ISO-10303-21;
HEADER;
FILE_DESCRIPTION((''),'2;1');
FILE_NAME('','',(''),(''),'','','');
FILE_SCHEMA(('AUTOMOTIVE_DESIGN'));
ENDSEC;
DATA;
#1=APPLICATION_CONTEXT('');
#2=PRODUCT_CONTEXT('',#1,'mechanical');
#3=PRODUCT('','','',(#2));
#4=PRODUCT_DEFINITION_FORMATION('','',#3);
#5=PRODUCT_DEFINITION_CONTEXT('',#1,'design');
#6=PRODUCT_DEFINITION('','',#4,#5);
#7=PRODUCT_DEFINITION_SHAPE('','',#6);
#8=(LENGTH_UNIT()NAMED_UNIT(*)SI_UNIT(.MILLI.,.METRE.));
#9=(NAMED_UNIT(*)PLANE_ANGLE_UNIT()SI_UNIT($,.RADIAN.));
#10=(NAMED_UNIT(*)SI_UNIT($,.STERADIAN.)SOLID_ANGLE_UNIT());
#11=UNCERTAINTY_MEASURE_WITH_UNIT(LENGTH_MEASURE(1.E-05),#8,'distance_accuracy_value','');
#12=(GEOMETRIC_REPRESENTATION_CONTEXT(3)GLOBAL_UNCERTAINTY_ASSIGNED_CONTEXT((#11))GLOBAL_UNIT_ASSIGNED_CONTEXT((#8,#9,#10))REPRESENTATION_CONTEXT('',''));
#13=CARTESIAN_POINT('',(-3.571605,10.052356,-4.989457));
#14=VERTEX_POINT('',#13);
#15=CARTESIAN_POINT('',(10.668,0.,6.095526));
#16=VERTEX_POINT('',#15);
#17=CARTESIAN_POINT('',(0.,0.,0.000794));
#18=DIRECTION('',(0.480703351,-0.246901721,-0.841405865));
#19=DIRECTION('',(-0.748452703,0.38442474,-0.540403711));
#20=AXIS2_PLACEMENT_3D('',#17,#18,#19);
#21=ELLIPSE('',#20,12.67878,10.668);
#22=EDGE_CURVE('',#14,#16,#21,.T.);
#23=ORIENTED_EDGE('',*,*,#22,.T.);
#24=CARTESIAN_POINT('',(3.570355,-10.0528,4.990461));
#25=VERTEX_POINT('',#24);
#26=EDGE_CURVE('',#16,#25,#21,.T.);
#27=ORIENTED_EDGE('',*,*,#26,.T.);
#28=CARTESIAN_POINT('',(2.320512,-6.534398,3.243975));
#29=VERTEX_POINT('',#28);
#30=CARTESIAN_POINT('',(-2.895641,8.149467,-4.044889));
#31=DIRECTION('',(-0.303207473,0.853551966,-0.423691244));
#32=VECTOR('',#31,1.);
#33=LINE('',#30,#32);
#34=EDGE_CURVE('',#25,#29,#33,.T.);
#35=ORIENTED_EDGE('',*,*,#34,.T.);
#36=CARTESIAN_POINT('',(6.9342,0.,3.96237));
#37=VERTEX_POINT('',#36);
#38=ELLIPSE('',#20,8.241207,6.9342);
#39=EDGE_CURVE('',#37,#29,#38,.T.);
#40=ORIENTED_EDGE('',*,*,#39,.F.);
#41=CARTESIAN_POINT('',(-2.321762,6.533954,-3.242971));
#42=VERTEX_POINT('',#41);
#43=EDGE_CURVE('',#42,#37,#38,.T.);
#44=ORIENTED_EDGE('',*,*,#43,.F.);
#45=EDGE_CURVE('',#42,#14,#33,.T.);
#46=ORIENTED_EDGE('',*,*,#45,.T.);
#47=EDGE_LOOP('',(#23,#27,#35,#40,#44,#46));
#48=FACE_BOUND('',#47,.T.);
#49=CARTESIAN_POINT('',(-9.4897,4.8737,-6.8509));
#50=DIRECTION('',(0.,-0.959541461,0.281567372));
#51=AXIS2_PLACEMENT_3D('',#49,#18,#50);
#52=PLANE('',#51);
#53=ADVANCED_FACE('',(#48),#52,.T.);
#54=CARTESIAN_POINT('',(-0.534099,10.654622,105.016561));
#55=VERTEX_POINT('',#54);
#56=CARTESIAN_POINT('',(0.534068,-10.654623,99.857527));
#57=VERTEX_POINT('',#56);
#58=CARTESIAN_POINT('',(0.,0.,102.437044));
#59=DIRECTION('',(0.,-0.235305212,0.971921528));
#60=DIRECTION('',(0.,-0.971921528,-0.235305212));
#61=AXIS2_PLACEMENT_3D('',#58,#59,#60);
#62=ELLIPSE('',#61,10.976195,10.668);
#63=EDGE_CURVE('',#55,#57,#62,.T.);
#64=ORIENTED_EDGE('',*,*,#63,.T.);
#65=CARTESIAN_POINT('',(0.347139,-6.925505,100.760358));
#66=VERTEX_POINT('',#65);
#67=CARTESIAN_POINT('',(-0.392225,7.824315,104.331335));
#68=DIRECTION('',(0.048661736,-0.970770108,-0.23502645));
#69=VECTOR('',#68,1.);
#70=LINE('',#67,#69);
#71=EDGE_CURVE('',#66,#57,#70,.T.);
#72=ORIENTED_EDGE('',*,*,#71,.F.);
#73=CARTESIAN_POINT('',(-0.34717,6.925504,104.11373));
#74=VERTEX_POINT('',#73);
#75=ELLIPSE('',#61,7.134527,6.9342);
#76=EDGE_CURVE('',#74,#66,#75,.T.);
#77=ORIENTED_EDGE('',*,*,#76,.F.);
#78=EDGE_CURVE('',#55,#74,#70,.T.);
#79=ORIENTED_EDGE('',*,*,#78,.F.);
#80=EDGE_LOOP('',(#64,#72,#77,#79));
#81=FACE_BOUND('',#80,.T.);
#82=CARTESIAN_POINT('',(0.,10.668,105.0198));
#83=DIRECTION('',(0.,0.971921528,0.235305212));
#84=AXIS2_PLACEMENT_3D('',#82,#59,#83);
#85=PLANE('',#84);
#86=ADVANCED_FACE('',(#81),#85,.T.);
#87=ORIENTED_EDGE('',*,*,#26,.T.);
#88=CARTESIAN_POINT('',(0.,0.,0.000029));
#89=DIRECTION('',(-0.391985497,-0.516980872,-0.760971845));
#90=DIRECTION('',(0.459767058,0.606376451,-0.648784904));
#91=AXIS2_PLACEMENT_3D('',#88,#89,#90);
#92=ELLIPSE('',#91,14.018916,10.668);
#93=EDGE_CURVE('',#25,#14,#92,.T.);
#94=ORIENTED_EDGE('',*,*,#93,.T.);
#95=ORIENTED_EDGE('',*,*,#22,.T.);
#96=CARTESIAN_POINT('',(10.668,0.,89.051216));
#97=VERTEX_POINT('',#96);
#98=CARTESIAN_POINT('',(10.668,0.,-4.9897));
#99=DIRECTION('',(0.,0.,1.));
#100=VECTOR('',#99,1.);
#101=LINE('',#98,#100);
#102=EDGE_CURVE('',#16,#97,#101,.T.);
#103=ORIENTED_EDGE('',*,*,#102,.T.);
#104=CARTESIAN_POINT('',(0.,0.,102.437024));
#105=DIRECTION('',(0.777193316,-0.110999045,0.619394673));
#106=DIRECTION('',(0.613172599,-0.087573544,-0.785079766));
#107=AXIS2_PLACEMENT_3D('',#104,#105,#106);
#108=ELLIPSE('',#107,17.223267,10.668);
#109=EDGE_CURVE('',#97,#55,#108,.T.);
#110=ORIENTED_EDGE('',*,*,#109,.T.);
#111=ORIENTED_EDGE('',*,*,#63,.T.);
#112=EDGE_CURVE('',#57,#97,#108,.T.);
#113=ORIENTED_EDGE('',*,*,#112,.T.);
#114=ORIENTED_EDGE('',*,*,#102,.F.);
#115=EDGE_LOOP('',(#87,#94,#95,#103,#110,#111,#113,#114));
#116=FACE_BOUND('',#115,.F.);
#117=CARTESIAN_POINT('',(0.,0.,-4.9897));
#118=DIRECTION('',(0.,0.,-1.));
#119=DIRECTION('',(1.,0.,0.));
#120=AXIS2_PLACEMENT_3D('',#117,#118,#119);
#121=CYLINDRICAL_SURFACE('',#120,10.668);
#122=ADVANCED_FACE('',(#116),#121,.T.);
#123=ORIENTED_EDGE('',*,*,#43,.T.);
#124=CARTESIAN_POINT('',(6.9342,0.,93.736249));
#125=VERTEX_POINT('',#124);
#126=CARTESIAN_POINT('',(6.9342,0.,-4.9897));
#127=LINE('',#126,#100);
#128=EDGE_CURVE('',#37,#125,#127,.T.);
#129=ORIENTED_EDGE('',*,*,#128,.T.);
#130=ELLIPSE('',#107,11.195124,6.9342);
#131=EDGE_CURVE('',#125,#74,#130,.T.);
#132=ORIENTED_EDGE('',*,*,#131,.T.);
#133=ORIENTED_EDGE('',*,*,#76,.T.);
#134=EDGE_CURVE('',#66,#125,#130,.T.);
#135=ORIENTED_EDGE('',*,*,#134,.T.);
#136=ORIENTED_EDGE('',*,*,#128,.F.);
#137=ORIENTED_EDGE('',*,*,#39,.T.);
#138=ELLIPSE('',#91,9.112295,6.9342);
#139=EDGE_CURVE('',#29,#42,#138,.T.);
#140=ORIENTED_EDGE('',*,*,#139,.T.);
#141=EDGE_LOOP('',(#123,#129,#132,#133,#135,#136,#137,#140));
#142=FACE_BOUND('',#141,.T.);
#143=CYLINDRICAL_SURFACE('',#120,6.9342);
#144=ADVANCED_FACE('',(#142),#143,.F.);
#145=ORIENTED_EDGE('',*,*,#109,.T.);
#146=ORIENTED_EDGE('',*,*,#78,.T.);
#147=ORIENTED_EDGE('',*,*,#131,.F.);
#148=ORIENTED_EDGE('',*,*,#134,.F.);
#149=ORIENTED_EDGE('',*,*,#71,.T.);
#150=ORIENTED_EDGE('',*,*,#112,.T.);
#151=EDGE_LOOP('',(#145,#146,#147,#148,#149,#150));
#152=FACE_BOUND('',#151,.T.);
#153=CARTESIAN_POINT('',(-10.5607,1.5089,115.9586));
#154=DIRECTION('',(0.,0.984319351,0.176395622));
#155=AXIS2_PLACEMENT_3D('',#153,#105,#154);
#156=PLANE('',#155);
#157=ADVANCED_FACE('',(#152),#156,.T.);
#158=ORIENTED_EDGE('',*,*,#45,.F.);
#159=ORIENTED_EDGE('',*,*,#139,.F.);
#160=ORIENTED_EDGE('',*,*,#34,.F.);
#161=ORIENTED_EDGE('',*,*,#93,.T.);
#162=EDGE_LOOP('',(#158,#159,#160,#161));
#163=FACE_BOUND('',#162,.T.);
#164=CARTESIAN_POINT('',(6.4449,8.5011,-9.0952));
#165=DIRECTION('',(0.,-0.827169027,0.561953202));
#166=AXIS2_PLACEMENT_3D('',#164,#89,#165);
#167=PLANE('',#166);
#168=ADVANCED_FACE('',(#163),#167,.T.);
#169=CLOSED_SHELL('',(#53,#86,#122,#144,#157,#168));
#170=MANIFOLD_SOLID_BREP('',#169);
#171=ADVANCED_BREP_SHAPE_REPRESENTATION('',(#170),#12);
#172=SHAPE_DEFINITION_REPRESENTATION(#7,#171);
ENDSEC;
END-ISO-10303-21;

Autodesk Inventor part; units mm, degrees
ref_plane "Start Plane" through (0, 0, -4.9897) normal (0, 0, 1) x (1, 0, 0)
ref_plane "End Plane" through (0, 0, 105.0166) normal (0, 0, 1) x (1, 0, 0)
sketch "Sketch" plane through (0, 0, 0) normal (0, 0, 1) x (1, 0, 0)
  circle A0 centre (0, 0) radius 6.9342
  circle A1 centre (0, 0) radius 10.668
  dimension "d0" = 21.336
  dimension "d1" = 3.7338
extrude "Body" add sketch "Sketch" along normal up to surface (110.0063 mm away) from surface at -4.9897
sketch "Sketch3" plane through (0, 0, 0) normal (0, 0, 1) x (1, 0, 0)
  line L0 (0, 0) -> (10, 0)
ref_plane "Work Plane3" through (0, 0, 0) normal (0, -1, 0) x (1, 0, 0)
sketch "Sketch4" plane through (0, 0, 0) normal (0, -1, 0) x (1, 0, 0)
  line L0 (-2, -4.9897) -> (12, -4.9897)
  line L1 (-2, 105.0166) -> (12, 105.0166)
  dimension "d7" = 110.0063
ref_plane "Work Plane4" through (-9.4897, 4.8737, -6.8509) normal (0.4807, -0.2469, -0.8414) x (-0.4571, 0.7483, -0.4807)
split "Split1" plane through (-9.4897, 4.8737, -6.8509) removes the side toward (0.4807, -0.2469, -0.8414)
ref_plane "Work Plane5" through (6.4449, 8.5011, -9.0952) normal (-0.392, -0.517, -0.761) x (0.3573, -0.8478, 0.392)
split "Split2" plane through (6.4449, 8.5011, -9.0952) removes the side toward (-0.392, -0.517, -0.761)
ref_plane "Work Plane6" through (-10.5607, 1.5089, 115.9586) normal (0.7772, -0.111, 0.6194) x (0.627, 0.0533, -0.7772)
split "Split3" plane through (-10.5607, 1.5089, 115.9586) removes the side toward (0.7772, -0.111, 0.6194)
ref_plane "Work Plane7" through (0, 10.668, 105.0198) normal (0, -0.2353, 0.9719) x (1, 0, 0)
split "Split4" plane through (0, 10.668, 105.0198) removes the side toward (0, -0.2353, 0.9719)
equation "\"d0\" = G_H"
equation "\"d1\" = G_T"
equation "\"d2\" = G_L"
equation "\"G_H\" = 21.336"
equation "\"G_T\" = 3.7338"
equation "\"G_L\" = 110.00626"
equation "\"G_OFFSET_START\" = 4.98966"
equation "\"G_OFFSET_END\" = 2.57893"
equation "\"d4\" = -G_OFFSET_START"
equation "\"d5\" = G_OFFSET_END + B_L"
equation "\"B_L\" = 102.43767"
properties part number "ANSI - 1/2 x 0.147 - 4.331" material "Steel, Mild"
